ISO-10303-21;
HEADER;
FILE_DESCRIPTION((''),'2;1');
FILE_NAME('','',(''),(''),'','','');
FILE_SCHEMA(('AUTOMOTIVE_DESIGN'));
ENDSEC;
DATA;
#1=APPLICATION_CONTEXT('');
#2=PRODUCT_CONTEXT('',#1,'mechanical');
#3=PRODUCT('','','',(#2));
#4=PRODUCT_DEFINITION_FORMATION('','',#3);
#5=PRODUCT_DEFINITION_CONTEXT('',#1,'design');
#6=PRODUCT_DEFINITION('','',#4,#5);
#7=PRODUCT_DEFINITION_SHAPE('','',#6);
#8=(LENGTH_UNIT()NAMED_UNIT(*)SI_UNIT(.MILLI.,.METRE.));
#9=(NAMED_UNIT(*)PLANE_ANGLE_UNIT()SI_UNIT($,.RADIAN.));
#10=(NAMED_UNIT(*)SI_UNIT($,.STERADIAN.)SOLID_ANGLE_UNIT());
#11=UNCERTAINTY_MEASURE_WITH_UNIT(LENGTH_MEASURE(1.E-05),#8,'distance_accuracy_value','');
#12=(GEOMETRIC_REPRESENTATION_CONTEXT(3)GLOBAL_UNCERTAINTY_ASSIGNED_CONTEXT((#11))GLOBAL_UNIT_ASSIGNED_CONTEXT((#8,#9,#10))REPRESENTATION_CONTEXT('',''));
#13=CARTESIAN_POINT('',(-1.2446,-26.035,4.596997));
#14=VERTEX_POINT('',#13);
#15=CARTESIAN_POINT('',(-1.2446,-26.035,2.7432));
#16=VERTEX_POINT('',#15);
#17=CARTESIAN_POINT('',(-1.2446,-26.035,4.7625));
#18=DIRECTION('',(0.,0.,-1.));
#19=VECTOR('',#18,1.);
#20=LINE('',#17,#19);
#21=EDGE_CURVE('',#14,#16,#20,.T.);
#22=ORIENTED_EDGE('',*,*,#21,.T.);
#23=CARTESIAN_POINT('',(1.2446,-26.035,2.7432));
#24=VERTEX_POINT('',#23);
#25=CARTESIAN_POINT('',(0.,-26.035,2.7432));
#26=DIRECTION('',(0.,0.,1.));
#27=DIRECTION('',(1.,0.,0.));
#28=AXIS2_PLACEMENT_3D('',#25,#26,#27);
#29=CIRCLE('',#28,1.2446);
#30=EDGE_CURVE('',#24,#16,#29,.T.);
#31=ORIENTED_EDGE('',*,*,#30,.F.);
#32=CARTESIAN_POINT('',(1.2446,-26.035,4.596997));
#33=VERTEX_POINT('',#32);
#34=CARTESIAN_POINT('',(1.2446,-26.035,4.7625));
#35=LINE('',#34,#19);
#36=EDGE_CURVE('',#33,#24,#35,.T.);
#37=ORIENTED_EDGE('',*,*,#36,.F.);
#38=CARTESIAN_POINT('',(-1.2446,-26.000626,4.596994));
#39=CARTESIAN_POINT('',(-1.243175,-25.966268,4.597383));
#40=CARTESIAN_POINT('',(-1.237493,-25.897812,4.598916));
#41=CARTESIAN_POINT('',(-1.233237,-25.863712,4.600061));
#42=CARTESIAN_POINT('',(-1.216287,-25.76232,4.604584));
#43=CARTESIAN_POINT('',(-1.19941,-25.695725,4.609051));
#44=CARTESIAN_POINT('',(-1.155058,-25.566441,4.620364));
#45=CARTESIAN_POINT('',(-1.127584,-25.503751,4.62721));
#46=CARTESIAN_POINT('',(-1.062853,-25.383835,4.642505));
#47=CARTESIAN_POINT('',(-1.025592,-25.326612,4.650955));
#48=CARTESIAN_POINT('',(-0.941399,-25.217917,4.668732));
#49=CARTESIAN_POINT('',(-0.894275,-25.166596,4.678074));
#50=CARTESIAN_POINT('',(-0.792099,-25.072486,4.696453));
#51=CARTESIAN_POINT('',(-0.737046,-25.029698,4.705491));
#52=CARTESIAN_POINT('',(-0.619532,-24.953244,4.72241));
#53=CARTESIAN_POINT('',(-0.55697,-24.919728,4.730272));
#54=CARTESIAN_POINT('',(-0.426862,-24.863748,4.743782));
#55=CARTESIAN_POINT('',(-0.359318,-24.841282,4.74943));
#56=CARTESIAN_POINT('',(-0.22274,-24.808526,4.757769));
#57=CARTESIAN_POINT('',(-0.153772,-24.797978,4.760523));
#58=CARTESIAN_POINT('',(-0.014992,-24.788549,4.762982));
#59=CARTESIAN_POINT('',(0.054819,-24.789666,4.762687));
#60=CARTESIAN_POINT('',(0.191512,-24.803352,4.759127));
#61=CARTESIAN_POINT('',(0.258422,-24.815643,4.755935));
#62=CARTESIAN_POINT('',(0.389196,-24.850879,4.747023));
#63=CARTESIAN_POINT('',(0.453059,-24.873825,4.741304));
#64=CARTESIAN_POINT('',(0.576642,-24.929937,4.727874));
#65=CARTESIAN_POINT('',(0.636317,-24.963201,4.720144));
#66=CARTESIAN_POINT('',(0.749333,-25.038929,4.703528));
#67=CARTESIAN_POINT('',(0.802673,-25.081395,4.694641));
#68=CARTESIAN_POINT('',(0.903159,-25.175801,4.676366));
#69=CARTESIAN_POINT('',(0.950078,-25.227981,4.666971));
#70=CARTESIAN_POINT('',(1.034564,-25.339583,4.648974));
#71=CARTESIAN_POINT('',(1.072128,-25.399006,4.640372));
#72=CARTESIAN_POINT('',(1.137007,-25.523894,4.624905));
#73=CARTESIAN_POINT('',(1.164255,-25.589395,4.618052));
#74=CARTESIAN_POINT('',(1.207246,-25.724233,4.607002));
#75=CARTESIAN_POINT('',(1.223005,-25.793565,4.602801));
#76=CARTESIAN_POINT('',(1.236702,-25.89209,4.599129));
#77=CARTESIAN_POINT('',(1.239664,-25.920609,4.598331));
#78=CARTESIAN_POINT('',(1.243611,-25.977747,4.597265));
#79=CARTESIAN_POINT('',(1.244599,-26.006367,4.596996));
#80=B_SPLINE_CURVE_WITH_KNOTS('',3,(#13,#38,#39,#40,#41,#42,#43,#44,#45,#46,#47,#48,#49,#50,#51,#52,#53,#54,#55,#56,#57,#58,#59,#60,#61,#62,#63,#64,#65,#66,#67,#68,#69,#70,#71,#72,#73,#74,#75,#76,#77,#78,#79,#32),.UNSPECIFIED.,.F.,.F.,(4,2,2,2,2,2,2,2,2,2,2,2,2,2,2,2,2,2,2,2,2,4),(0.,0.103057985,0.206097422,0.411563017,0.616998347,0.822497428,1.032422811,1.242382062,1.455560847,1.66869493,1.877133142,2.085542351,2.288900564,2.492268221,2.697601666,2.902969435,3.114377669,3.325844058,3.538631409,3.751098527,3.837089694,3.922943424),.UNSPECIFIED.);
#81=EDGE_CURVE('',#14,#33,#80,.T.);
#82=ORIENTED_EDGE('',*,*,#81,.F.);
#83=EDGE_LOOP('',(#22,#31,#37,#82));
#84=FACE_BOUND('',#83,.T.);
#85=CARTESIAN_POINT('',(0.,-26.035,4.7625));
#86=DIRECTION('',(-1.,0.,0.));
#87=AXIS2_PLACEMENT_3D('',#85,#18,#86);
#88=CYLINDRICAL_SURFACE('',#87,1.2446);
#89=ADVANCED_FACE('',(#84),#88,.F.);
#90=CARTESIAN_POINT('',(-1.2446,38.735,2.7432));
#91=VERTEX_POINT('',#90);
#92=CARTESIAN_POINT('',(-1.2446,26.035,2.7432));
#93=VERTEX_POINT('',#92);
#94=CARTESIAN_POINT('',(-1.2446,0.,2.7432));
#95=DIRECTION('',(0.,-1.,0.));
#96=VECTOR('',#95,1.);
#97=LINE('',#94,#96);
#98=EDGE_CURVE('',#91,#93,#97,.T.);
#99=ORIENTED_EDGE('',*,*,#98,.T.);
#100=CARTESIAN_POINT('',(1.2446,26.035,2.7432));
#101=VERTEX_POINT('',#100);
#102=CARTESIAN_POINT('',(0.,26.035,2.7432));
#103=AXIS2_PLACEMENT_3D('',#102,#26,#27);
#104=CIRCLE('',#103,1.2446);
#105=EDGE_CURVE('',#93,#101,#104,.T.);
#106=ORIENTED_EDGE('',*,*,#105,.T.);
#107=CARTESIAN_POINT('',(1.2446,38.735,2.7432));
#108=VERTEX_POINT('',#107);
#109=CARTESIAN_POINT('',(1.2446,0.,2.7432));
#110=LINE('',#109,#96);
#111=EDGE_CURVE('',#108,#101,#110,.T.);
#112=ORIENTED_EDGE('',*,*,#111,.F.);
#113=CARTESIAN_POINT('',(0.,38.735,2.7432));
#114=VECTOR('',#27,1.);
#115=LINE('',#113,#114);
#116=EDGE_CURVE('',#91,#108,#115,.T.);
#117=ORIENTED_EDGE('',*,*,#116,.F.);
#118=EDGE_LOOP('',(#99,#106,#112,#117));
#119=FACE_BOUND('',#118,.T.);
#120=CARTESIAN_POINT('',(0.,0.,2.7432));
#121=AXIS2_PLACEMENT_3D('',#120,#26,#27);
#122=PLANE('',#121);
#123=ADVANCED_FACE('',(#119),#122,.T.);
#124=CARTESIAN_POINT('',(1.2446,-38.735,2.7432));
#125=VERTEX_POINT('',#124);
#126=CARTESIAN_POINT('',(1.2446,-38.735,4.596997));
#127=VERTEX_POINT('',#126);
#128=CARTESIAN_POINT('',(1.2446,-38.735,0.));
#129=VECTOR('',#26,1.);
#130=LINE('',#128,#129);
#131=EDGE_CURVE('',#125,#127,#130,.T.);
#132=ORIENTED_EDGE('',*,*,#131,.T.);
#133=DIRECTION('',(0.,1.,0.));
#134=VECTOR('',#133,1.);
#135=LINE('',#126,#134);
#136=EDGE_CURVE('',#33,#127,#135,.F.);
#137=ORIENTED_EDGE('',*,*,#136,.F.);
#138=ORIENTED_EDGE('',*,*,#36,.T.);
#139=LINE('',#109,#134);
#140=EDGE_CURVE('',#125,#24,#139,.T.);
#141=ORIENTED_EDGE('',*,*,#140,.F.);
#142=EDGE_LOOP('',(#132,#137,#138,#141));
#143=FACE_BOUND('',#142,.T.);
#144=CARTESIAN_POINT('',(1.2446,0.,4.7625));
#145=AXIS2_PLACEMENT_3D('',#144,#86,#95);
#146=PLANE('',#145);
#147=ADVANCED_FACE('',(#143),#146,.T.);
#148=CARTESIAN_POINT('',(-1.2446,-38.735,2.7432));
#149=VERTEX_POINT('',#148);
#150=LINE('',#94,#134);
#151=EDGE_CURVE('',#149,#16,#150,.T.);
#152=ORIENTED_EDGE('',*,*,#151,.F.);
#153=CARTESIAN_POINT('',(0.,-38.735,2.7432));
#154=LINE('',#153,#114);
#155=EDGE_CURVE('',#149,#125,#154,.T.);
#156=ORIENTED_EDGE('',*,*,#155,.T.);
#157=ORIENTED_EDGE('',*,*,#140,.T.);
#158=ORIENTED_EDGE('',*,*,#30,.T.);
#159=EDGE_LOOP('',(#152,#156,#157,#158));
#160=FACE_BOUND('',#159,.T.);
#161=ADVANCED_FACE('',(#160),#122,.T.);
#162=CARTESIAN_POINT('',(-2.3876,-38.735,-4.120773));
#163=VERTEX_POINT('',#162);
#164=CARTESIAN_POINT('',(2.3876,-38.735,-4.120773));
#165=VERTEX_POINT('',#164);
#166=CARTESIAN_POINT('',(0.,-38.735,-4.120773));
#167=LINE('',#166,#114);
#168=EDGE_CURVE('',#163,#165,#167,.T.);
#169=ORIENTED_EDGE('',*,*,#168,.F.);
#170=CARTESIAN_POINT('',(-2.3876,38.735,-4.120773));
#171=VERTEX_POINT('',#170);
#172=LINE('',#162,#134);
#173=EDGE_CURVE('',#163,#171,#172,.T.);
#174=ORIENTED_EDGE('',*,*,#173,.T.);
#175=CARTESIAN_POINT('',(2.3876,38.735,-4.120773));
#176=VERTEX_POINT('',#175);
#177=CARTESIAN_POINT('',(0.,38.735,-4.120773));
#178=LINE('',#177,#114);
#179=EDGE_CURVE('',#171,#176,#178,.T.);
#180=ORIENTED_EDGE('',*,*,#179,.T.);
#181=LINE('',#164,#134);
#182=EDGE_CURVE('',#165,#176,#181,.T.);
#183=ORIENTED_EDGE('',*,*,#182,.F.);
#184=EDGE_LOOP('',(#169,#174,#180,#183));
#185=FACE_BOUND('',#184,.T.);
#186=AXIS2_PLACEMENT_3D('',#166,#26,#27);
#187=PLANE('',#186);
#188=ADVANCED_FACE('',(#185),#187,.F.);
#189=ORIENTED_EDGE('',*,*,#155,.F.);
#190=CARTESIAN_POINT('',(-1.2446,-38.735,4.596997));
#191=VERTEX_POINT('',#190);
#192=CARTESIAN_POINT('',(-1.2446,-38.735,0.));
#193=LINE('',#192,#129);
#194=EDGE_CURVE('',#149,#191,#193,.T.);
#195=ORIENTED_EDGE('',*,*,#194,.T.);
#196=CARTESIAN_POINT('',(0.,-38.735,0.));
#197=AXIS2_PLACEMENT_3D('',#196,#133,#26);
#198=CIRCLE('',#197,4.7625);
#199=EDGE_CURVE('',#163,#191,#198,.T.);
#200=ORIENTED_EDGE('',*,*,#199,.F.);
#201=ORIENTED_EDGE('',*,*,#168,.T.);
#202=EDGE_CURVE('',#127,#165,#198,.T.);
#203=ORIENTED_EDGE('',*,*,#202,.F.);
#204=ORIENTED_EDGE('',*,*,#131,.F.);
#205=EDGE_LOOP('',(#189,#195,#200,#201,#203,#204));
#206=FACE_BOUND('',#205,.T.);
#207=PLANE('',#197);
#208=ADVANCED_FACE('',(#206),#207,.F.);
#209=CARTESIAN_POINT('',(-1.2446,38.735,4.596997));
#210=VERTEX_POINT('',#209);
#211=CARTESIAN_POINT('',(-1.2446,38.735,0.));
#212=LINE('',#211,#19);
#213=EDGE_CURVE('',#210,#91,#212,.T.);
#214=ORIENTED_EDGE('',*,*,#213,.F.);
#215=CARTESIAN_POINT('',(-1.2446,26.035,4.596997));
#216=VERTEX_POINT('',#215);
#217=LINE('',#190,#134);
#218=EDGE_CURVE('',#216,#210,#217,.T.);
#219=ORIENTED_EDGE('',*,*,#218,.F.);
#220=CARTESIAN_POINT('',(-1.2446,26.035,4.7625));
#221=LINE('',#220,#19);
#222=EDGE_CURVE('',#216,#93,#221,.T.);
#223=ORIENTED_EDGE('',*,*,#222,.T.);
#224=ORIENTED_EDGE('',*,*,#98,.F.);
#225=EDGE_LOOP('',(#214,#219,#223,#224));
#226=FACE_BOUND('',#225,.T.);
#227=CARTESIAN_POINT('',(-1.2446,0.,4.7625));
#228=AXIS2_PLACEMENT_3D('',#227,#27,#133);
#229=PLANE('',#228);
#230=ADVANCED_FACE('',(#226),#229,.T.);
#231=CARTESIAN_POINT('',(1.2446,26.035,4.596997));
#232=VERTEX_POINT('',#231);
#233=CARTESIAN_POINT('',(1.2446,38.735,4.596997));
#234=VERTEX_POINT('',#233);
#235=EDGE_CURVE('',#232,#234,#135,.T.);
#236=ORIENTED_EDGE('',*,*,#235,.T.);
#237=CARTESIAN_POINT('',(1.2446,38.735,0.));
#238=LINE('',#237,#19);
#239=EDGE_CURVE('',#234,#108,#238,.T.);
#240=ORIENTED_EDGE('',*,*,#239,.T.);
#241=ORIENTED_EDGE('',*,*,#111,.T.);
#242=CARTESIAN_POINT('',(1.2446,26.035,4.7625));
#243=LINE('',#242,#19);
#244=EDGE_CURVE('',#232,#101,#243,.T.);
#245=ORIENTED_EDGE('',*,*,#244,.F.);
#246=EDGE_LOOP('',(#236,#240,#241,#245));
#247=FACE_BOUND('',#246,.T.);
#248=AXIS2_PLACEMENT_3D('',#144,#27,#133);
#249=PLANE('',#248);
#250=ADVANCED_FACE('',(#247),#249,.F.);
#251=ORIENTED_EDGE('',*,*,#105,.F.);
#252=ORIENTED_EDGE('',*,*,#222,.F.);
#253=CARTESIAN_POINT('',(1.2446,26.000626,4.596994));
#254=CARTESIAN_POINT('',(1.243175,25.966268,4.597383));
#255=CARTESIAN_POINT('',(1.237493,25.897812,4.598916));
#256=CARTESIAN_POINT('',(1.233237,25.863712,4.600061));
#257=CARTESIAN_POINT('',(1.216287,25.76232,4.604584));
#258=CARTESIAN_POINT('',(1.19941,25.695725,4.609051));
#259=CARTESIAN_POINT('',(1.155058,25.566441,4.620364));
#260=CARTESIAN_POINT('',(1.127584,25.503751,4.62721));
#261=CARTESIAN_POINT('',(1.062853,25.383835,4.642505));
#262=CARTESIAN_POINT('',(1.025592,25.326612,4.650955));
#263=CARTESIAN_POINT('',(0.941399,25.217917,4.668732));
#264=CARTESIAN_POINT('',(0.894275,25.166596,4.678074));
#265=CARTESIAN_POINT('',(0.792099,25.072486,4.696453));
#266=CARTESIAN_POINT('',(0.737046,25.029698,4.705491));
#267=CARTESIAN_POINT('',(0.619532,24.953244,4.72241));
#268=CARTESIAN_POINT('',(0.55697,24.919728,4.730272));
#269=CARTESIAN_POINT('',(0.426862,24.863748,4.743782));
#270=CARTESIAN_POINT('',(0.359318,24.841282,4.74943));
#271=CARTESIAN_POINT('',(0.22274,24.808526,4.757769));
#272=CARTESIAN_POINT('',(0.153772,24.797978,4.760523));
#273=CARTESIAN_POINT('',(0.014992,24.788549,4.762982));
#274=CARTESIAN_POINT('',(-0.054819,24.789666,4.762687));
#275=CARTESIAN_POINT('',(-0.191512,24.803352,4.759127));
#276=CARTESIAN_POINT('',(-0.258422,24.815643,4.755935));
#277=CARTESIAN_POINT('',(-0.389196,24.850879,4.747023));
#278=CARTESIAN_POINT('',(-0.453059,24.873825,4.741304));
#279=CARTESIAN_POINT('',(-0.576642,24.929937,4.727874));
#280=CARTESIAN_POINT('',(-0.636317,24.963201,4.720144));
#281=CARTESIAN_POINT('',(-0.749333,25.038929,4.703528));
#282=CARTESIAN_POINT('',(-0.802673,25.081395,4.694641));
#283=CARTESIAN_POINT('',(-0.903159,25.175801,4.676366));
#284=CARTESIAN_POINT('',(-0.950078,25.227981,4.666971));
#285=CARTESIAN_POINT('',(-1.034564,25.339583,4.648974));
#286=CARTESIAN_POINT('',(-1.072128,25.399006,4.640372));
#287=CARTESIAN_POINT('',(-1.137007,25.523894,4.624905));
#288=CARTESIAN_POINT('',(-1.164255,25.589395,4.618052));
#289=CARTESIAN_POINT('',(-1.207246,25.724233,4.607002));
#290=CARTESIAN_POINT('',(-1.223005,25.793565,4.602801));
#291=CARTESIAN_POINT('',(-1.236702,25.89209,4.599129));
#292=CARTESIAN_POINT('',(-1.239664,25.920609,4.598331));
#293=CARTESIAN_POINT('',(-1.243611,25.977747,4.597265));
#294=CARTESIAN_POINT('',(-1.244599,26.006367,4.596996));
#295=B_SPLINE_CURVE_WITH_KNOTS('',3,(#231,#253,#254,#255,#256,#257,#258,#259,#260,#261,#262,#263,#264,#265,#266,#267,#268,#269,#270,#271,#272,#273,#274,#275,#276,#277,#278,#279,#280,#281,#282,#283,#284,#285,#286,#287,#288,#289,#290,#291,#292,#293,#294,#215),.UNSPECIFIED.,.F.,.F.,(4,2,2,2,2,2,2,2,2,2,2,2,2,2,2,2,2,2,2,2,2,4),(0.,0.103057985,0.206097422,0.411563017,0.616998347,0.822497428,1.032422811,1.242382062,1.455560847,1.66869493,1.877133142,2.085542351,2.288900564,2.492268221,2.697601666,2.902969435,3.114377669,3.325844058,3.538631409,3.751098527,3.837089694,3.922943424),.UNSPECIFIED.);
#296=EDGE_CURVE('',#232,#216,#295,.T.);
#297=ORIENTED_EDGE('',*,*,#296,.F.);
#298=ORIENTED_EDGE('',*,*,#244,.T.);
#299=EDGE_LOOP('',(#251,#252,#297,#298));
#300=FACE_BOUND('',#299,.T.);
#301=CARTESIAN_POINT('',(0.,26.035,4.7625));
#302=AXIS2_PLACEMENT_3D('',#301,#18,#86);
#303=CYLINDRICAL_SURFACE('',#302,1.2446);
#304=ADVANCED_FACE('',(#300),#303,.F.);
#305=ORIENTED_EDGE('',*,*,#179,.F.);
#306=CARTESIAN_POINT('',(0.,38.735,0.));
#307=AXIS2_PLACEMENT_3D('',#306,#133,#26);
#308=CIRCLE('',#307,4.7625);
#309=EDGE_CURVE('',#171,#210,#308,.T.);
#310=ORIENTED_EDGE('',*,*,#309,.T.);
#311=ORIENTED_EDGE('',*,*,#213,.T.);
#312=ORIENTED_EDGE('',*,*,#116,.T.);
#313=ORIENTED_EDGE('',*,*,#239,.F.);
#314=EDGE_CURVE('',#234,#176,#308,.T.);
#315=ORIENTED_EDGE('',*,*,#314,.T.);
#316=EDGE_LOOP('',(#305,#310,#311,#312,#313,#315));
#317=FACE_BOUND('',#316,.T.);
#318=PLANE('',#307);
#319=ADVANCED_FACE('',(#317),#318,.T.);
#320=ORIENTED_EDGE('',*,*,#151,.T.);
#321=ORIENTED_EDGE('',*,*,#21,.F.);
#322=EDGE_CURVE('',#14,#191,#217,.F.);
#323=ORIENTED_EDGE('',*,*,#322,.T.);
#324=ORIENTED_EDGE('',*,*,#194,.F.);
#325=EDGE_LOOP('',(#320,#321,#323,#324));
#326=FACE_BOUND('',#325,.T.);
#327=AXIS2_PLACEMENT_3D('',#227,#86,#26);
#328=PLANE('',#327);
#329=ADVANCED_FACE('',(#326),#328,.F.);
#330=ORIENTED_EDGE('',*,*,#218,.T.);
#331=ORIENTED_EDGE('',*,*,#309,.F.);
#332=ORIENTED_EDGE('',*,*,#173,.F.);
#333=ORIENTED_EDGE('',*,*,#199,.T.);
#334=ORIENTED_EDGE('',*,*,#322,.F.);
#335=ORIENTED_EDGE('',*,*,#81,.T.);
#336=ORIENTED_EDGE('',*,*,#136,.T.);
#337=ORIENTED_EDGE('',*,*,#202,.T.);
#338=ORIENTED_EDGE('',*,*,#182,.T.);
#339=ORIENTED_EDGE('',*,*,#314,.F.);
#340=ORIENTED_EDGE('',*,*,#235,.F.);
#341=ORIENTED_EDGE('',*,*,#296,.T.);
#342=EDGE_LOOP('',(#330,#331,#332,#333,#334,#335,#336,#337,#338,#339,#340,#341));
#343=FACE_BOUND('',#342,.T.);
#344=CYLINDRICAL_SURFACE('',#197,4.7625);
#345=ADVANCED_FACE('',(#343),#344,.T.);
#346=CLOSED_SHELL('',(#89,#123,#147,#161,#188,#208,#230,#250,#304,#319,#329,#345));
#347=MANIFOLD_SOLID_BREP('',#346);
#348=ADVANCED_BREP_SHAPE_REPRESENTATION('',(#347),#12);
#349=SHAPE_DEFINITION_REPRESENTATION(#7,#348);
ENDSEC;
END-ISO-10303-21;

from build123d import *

# Parameters (mm, degrees)
BOSS_EXTRUDE1_DEPTH      = 38.735
BOSS_EXTRUDE1_DEPTH_BACK = 38.735
CUT_EXTRUDE4_DEPTH       = 40.625695711


with BuildPart() as part:
    # Sketch1 → Boss-Extrude1 (new, two sides: drawn at the far end of the back side and taken through both)
    with BuildSketch(Plane(origin=(0, 0, 0), x_dir=(1, 0, 0), z_dir=(0, 1, 0)).offset(-BOSS_EXTRUDE1_DEPTH_BACK)):
        with BuildLine():
            Line((2.3876, 4.120773288), (-2.3876, 4.120773288))
            ThreePointArc((-2.3876, 4.120773288), (-2.378072881, -4.126278665), (4.7625, 0))
            ThreePointArc((4.7625, 0), (4.126278665, 2.378072881), (2.3876, 4.120773288))
        make_face()
    extrude(amount=BOSS_EXTRUDE1_DEPTH + BOSS_EXTRUDE1_DEPTH_BACK)

    # Sketch4 → Cut-Extrude4 (cut, through all)
    with BuildSketch(Plane.XY.offset(2.7432)):
        with BuildLine():
            Line((-1.2446, -26.035), (-1.2446, -38.735))
            Line((-1.2446, -38.735), (1.2446, -38.735))
            Line((1.2446, -38.735), (1.2446, -26.035))
            ThreePointArc((1.2446, -26.035), (0, -27.2796), (-1.2446, -26.035))
        make_face()
        with BuildLine():
            ThreePointArc((1.2446, -26.035), (0, -24.7904), (-1.2446, -26.035))
            Line((-1.2446, -26.035), (1.2446, -26.035))
        make_face()
        with BuildLine():
            Line((1.2446, -26.035), (-1.2446, -26.035))
            ThreePointArc((-1.2446, -26.035), (0, -27.2796), (1.2446, -26.035))
        make_face()
        with BuildLine():
            Line((1.2446, 38.735), (-1.2446, 38.735))
            Line((-1.2446, 38.735), (-1.2446, 26.035))
            ThreePointArc((-1.2446, 26.035), (0, 27.2796), (1.2446, 26.035))
            Line((1.2446, 26.035), (1.2446, 38.735))
        make_face()
        with BuildLine():
            ThreePointArc((1.2446, 26.035), (0, 27.2796), (-1.2446, 26.035))
            Line((-1.2446, 26.035), (1.2446, 26.035))
        make_face()
        with BuildLine():
            Line((1.2446, 26.035), (-1.2446, 26.035))
            ThreePointArc((-1.2446, 26.035), (0, 24.7904), (1.2446, 26.035))
        make_face()
    extrude(amount=CUT_EXTRUDE4_DEPTH, mode=Mode.SUBTRACT)


solid = part.part
